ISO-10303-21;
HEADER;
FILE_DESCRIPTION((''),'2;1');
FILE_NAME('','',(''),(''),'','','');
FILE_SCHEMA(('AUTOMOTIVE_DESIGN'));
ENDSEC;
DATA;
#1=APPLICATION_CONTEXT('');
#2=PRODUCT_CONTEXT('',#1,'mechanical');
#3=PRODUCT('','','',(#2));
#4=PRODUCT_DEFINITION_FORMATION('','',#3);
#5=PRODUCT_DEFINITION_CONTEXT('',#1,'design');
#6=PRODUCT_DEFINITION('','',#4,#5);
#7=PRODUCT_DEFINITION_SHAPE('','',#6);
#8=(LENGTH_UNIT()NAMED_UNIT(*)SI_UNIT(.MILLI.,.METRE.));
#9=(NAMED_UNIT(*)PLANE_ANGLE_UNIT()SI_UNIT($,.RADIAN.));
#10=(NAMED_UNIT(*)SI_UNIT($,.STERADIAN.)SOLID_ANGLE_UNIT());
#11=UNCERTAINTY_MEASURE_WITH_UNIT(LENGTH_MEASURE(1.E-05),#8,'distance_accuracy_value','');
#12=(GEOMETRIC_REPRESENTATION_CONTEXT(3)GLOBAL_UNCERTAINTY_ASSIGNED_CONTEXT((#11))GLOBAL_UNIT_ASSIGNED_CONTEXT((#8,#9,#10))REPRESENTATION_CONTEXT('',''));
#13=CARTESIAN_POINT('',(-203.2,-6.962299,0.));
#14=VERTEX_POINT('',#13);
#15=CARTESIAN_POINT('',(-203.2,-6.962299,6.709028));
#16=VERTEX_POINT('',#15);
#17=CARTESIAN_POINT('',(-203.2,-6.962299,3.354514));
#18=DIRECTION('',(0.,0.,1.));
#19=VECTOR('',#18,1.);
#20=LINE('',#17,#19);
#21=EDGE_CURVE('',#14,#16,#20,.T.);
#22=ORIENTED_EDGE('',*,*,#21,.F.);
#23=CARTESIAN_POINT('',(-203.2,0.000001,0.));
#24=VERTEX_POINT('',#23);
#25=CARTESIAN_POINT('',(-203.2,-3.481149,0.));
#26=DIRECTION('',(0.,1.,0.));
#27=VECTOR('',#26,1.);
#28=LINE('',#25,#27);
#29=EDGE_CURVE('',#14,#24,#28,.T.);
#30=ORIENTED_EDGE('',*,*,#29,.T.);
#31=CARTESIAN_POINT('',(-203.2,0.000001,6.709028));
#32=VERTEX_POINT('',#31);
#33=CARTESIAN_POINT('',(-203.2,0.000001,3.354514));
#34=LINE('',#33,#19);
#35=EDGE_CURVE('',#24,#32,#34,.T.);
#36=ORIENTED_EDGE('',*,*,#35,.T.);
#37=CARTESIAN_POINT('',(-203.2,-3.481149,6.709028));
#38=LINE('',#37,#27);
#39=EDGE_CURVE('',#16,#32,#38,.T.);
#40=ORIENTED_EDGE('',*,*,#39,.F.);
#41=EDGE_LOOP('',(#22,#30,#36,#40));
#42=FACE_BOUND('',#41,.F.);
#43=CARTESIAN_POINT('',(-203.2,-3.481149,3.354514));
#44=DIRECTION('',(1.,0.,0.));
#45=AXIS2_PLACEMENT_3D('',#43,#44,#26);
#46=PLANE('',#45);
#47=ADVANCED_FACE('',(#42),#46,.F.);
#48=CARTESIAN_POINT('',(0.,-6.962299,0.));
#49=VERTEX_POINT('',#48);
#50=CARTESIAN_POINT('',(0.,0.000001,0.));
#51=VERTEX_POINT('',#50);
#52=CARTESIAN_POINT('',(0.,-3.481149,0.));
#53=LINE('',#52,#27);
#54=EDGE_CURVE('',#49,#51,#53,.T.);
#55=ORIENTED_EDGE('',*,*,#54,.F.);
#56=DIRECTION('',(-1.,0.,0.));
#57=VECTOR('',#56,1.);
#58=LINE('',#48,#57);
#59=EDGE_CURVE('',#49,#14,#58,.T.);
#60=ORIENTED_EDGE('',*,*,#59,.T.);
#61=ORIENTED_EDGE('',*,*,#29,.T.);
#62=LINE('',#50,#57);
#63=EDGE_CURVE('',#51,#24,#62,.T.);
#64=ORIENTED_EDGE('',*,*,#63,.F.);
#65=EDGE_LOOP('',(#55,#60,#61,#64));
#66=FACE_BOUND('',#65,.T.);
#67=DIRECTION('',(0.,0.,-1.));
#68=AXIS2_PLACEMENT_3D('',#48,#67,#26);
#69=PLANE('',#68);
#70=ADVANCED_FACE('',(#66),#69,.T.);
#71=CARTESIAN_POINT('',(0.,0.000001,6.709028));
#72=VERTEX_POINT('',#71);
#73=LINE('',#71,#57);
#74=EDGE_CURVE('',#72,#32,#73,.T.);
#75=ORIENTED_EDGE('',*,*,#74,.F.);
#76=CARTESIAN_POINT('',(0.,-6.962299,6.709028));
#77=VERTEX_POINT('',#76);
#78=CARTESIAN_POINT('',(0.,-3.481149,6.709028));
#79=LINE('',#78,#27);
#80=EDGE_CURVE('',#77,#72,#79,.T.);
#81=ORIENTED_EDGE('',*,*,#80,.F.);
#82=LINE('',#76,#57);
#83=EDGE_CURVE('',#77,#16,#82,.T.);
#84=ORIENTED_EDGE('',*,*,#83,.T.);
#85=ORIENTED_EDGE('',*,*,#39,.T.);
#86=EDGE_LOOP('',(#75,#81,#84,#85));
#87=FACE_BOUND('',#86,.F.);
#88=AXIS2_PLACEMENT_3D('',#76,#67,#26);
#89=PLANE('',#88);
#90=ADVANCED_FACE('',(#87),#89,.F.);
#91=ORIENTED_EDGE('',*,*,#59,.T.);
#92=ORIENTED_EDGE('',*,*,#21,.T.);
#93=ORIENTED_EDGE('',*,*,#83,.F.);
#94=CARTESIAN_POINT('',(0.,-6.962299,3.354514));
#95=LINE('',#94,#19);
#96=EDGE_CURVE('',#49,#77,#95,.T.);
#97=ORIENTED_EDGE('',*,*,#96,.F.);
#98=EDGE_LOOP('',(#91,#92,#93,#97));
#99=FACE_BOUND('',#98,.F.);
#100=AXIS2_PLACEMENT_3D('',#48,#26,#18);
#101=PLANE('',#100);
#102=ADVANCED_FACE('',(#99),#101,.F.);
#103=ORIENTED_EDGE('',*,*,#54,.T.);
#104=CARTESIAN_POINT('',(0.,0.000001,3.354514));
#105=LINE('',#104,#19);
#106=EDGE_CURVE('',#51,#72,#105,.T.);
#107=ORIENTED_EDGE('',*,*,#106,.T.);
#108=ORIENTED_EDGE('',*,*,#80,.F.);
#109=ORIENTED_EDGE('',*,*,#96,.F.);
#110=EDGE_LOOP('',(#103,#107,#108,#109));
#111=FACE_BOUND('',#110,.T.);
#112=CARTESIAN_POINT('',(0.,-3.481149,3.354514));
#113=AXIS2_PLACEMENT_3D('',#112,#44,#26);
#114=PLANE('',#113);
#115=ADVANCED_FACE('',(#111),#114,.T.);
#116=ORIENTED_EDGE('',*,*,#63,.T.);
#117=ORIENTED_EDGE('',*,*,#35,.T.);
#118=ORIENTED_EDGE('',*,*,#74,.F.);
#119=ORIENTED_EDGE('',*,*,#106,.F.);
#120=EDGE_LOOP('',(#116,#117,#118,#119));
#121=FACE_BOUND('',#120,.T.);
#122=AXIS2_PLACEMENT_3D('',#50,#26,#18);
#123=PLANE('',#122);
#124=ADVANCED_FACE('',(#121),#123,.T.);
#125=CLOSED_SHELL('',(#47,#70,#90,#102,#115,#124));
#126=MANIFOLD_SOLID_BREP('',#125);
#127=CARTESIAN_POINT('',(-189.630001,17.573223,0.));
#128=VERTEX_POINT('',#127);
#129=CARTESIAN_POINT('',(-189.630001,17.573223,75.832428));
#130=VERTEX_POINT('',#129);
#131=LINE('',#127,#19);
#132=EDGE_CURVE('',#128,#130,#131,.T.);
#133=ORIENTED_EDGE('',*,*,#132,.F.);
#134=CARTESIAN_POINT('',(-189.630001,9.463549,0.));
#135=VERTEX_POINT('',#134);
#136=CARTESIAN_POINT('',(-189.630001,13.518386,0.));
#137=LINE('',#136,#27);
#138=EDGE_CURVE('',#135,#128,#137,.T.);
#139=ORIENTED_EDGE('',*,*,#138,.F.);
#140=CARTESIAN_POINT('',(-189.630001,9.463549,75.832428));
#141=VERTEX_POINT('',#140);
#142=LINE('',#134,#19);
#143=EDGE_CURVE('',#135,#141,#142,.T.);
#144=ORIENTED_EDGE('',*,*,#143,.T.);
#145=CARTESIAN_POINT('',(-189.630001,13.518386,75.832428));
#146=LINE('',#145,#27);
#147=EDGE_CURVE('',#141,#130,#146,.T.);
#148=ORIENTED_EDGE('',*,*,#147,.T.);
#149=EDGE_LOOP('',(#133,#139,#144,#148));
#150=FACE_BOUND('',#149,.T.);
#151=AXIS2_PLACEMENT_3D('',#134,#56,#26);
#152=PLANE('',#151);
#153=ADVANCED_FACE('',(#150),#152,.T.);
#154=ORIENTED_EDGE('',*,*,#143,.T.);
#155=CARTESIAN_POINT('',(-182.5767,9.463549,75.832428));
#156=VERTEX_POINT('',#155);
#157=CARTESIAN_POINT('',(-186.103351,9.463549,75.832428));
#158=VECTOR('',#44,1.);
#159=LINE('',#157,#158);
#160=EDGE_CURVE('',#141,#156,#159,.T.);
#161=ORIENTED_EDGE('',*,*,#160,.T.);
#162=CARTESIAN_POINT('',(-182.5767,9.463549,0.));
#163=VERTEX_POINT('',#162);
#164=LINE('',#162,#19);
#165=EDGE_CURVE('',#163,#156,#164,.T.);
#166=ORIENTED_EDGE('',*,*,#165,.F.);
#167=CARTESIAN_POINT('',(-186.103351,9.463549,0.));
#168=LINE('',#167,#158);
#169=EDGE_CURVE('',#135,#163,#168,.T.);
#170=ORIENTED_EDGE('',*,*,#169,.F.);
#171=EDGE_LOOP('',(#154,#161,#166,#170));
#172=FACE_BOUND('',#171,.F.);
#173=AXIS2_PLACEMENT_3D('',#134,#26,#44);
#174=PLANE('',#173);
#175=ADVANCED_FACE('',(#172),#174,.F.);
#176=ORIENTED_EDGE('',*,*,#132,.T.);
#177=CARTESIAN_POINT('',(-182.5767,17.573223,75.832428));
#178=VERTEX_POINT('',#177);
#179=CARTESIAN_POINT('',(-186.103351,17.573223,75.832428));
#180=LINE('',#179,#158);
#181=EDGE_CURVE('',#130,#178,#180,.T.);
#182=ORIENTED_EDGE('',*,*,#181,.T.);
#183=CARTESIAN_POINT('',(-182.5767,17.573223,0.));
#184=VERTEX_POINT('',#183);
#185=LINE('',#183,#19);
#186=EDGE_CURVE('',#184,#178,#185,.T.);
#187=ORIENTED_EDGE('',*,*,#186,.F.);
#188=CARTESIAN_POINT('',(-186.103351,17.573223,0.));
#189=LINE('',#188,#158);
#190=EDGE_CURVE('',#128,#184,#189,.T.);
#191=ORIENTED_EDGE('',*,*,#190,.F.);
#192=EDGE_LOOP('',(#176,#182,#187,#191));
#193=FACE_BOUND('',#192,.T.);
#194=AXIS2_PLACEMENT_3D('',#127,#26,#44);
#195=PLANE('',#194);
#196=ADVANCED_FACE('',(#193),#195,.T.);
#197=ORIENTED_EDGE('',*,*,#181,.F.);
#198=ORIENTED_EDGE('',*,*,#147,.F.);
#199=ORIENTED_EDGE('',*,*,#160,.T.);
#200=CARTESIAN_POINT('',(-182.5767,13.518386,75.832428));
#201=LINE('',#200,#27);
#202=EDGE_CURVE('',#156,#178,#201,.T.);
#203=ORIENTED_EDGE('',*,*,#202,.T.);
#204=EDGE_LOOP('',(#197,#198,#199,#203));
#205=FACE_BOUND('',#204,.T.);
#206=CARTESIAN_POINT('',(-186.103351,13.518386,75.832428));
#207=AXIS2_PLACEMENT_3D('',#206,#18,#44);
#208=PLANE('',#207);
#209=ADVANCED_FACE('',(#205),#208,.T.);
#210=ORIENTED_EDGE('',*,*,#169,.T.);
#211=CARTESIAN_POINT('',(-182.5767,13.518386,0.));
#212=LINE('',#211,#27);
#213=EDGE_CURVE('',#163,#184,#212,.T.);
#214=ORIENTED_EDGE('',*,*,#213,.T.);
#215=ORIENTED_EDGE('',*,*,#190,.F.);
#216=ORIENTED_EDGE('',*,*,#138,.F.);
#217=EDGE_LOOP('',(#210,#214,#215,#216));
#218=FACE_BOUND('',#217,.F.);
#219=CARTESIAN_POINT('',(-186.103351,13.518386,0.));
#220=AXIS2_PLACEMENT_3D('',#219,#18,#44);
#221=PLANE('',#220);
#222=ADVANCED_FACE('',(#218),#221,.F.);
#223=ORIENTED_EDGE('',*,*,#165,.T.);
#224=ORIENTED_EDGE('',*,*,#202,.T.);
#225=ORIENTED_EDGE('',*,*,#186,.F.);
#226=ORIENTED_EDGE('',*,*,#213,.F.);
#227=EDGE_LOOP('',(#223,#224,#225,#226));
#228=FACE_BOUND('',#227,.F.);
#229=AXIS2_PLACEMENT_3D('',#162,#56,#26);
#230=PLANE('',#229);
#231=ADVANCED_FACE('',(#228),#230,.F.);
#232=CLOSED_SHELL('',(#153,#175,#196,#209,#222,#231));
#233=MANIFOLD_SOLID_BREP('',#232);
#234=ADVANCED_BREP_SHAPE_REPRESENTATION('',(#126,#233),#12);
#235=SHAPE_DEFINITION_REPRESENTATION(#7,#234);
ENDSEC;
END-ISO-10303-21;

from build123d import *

# Parameters (mm, degrees)
F0_W     = 6.962299
F0_H     = 6.709028
F1_DEPTH = 203.2
F2_W     = 7.053301
F2_H     = 8.109674
F3_DEPTH = 75.832428


with BuildPart() as f1:
    # F0 (on Right) → F1 (new body)
    with BuildSketch(Plane.YZ):
        with Locations((-3.481149, 3.354514)):
            Rectangle(F0_W, F0_H)
    extrude(amount=-F1_DEPTH)


with BuildPart() as f3:
    # F2 (on Top) → F3 (new body)
    with BuildSketch(Plane.XY):
        with Locations((-186.103351, 13.518386)):
            Rectangle(F2_W, F2_H)
    extrude(amount=F3_DEPTH)


solid = Compound([f1.part, f3.part])
